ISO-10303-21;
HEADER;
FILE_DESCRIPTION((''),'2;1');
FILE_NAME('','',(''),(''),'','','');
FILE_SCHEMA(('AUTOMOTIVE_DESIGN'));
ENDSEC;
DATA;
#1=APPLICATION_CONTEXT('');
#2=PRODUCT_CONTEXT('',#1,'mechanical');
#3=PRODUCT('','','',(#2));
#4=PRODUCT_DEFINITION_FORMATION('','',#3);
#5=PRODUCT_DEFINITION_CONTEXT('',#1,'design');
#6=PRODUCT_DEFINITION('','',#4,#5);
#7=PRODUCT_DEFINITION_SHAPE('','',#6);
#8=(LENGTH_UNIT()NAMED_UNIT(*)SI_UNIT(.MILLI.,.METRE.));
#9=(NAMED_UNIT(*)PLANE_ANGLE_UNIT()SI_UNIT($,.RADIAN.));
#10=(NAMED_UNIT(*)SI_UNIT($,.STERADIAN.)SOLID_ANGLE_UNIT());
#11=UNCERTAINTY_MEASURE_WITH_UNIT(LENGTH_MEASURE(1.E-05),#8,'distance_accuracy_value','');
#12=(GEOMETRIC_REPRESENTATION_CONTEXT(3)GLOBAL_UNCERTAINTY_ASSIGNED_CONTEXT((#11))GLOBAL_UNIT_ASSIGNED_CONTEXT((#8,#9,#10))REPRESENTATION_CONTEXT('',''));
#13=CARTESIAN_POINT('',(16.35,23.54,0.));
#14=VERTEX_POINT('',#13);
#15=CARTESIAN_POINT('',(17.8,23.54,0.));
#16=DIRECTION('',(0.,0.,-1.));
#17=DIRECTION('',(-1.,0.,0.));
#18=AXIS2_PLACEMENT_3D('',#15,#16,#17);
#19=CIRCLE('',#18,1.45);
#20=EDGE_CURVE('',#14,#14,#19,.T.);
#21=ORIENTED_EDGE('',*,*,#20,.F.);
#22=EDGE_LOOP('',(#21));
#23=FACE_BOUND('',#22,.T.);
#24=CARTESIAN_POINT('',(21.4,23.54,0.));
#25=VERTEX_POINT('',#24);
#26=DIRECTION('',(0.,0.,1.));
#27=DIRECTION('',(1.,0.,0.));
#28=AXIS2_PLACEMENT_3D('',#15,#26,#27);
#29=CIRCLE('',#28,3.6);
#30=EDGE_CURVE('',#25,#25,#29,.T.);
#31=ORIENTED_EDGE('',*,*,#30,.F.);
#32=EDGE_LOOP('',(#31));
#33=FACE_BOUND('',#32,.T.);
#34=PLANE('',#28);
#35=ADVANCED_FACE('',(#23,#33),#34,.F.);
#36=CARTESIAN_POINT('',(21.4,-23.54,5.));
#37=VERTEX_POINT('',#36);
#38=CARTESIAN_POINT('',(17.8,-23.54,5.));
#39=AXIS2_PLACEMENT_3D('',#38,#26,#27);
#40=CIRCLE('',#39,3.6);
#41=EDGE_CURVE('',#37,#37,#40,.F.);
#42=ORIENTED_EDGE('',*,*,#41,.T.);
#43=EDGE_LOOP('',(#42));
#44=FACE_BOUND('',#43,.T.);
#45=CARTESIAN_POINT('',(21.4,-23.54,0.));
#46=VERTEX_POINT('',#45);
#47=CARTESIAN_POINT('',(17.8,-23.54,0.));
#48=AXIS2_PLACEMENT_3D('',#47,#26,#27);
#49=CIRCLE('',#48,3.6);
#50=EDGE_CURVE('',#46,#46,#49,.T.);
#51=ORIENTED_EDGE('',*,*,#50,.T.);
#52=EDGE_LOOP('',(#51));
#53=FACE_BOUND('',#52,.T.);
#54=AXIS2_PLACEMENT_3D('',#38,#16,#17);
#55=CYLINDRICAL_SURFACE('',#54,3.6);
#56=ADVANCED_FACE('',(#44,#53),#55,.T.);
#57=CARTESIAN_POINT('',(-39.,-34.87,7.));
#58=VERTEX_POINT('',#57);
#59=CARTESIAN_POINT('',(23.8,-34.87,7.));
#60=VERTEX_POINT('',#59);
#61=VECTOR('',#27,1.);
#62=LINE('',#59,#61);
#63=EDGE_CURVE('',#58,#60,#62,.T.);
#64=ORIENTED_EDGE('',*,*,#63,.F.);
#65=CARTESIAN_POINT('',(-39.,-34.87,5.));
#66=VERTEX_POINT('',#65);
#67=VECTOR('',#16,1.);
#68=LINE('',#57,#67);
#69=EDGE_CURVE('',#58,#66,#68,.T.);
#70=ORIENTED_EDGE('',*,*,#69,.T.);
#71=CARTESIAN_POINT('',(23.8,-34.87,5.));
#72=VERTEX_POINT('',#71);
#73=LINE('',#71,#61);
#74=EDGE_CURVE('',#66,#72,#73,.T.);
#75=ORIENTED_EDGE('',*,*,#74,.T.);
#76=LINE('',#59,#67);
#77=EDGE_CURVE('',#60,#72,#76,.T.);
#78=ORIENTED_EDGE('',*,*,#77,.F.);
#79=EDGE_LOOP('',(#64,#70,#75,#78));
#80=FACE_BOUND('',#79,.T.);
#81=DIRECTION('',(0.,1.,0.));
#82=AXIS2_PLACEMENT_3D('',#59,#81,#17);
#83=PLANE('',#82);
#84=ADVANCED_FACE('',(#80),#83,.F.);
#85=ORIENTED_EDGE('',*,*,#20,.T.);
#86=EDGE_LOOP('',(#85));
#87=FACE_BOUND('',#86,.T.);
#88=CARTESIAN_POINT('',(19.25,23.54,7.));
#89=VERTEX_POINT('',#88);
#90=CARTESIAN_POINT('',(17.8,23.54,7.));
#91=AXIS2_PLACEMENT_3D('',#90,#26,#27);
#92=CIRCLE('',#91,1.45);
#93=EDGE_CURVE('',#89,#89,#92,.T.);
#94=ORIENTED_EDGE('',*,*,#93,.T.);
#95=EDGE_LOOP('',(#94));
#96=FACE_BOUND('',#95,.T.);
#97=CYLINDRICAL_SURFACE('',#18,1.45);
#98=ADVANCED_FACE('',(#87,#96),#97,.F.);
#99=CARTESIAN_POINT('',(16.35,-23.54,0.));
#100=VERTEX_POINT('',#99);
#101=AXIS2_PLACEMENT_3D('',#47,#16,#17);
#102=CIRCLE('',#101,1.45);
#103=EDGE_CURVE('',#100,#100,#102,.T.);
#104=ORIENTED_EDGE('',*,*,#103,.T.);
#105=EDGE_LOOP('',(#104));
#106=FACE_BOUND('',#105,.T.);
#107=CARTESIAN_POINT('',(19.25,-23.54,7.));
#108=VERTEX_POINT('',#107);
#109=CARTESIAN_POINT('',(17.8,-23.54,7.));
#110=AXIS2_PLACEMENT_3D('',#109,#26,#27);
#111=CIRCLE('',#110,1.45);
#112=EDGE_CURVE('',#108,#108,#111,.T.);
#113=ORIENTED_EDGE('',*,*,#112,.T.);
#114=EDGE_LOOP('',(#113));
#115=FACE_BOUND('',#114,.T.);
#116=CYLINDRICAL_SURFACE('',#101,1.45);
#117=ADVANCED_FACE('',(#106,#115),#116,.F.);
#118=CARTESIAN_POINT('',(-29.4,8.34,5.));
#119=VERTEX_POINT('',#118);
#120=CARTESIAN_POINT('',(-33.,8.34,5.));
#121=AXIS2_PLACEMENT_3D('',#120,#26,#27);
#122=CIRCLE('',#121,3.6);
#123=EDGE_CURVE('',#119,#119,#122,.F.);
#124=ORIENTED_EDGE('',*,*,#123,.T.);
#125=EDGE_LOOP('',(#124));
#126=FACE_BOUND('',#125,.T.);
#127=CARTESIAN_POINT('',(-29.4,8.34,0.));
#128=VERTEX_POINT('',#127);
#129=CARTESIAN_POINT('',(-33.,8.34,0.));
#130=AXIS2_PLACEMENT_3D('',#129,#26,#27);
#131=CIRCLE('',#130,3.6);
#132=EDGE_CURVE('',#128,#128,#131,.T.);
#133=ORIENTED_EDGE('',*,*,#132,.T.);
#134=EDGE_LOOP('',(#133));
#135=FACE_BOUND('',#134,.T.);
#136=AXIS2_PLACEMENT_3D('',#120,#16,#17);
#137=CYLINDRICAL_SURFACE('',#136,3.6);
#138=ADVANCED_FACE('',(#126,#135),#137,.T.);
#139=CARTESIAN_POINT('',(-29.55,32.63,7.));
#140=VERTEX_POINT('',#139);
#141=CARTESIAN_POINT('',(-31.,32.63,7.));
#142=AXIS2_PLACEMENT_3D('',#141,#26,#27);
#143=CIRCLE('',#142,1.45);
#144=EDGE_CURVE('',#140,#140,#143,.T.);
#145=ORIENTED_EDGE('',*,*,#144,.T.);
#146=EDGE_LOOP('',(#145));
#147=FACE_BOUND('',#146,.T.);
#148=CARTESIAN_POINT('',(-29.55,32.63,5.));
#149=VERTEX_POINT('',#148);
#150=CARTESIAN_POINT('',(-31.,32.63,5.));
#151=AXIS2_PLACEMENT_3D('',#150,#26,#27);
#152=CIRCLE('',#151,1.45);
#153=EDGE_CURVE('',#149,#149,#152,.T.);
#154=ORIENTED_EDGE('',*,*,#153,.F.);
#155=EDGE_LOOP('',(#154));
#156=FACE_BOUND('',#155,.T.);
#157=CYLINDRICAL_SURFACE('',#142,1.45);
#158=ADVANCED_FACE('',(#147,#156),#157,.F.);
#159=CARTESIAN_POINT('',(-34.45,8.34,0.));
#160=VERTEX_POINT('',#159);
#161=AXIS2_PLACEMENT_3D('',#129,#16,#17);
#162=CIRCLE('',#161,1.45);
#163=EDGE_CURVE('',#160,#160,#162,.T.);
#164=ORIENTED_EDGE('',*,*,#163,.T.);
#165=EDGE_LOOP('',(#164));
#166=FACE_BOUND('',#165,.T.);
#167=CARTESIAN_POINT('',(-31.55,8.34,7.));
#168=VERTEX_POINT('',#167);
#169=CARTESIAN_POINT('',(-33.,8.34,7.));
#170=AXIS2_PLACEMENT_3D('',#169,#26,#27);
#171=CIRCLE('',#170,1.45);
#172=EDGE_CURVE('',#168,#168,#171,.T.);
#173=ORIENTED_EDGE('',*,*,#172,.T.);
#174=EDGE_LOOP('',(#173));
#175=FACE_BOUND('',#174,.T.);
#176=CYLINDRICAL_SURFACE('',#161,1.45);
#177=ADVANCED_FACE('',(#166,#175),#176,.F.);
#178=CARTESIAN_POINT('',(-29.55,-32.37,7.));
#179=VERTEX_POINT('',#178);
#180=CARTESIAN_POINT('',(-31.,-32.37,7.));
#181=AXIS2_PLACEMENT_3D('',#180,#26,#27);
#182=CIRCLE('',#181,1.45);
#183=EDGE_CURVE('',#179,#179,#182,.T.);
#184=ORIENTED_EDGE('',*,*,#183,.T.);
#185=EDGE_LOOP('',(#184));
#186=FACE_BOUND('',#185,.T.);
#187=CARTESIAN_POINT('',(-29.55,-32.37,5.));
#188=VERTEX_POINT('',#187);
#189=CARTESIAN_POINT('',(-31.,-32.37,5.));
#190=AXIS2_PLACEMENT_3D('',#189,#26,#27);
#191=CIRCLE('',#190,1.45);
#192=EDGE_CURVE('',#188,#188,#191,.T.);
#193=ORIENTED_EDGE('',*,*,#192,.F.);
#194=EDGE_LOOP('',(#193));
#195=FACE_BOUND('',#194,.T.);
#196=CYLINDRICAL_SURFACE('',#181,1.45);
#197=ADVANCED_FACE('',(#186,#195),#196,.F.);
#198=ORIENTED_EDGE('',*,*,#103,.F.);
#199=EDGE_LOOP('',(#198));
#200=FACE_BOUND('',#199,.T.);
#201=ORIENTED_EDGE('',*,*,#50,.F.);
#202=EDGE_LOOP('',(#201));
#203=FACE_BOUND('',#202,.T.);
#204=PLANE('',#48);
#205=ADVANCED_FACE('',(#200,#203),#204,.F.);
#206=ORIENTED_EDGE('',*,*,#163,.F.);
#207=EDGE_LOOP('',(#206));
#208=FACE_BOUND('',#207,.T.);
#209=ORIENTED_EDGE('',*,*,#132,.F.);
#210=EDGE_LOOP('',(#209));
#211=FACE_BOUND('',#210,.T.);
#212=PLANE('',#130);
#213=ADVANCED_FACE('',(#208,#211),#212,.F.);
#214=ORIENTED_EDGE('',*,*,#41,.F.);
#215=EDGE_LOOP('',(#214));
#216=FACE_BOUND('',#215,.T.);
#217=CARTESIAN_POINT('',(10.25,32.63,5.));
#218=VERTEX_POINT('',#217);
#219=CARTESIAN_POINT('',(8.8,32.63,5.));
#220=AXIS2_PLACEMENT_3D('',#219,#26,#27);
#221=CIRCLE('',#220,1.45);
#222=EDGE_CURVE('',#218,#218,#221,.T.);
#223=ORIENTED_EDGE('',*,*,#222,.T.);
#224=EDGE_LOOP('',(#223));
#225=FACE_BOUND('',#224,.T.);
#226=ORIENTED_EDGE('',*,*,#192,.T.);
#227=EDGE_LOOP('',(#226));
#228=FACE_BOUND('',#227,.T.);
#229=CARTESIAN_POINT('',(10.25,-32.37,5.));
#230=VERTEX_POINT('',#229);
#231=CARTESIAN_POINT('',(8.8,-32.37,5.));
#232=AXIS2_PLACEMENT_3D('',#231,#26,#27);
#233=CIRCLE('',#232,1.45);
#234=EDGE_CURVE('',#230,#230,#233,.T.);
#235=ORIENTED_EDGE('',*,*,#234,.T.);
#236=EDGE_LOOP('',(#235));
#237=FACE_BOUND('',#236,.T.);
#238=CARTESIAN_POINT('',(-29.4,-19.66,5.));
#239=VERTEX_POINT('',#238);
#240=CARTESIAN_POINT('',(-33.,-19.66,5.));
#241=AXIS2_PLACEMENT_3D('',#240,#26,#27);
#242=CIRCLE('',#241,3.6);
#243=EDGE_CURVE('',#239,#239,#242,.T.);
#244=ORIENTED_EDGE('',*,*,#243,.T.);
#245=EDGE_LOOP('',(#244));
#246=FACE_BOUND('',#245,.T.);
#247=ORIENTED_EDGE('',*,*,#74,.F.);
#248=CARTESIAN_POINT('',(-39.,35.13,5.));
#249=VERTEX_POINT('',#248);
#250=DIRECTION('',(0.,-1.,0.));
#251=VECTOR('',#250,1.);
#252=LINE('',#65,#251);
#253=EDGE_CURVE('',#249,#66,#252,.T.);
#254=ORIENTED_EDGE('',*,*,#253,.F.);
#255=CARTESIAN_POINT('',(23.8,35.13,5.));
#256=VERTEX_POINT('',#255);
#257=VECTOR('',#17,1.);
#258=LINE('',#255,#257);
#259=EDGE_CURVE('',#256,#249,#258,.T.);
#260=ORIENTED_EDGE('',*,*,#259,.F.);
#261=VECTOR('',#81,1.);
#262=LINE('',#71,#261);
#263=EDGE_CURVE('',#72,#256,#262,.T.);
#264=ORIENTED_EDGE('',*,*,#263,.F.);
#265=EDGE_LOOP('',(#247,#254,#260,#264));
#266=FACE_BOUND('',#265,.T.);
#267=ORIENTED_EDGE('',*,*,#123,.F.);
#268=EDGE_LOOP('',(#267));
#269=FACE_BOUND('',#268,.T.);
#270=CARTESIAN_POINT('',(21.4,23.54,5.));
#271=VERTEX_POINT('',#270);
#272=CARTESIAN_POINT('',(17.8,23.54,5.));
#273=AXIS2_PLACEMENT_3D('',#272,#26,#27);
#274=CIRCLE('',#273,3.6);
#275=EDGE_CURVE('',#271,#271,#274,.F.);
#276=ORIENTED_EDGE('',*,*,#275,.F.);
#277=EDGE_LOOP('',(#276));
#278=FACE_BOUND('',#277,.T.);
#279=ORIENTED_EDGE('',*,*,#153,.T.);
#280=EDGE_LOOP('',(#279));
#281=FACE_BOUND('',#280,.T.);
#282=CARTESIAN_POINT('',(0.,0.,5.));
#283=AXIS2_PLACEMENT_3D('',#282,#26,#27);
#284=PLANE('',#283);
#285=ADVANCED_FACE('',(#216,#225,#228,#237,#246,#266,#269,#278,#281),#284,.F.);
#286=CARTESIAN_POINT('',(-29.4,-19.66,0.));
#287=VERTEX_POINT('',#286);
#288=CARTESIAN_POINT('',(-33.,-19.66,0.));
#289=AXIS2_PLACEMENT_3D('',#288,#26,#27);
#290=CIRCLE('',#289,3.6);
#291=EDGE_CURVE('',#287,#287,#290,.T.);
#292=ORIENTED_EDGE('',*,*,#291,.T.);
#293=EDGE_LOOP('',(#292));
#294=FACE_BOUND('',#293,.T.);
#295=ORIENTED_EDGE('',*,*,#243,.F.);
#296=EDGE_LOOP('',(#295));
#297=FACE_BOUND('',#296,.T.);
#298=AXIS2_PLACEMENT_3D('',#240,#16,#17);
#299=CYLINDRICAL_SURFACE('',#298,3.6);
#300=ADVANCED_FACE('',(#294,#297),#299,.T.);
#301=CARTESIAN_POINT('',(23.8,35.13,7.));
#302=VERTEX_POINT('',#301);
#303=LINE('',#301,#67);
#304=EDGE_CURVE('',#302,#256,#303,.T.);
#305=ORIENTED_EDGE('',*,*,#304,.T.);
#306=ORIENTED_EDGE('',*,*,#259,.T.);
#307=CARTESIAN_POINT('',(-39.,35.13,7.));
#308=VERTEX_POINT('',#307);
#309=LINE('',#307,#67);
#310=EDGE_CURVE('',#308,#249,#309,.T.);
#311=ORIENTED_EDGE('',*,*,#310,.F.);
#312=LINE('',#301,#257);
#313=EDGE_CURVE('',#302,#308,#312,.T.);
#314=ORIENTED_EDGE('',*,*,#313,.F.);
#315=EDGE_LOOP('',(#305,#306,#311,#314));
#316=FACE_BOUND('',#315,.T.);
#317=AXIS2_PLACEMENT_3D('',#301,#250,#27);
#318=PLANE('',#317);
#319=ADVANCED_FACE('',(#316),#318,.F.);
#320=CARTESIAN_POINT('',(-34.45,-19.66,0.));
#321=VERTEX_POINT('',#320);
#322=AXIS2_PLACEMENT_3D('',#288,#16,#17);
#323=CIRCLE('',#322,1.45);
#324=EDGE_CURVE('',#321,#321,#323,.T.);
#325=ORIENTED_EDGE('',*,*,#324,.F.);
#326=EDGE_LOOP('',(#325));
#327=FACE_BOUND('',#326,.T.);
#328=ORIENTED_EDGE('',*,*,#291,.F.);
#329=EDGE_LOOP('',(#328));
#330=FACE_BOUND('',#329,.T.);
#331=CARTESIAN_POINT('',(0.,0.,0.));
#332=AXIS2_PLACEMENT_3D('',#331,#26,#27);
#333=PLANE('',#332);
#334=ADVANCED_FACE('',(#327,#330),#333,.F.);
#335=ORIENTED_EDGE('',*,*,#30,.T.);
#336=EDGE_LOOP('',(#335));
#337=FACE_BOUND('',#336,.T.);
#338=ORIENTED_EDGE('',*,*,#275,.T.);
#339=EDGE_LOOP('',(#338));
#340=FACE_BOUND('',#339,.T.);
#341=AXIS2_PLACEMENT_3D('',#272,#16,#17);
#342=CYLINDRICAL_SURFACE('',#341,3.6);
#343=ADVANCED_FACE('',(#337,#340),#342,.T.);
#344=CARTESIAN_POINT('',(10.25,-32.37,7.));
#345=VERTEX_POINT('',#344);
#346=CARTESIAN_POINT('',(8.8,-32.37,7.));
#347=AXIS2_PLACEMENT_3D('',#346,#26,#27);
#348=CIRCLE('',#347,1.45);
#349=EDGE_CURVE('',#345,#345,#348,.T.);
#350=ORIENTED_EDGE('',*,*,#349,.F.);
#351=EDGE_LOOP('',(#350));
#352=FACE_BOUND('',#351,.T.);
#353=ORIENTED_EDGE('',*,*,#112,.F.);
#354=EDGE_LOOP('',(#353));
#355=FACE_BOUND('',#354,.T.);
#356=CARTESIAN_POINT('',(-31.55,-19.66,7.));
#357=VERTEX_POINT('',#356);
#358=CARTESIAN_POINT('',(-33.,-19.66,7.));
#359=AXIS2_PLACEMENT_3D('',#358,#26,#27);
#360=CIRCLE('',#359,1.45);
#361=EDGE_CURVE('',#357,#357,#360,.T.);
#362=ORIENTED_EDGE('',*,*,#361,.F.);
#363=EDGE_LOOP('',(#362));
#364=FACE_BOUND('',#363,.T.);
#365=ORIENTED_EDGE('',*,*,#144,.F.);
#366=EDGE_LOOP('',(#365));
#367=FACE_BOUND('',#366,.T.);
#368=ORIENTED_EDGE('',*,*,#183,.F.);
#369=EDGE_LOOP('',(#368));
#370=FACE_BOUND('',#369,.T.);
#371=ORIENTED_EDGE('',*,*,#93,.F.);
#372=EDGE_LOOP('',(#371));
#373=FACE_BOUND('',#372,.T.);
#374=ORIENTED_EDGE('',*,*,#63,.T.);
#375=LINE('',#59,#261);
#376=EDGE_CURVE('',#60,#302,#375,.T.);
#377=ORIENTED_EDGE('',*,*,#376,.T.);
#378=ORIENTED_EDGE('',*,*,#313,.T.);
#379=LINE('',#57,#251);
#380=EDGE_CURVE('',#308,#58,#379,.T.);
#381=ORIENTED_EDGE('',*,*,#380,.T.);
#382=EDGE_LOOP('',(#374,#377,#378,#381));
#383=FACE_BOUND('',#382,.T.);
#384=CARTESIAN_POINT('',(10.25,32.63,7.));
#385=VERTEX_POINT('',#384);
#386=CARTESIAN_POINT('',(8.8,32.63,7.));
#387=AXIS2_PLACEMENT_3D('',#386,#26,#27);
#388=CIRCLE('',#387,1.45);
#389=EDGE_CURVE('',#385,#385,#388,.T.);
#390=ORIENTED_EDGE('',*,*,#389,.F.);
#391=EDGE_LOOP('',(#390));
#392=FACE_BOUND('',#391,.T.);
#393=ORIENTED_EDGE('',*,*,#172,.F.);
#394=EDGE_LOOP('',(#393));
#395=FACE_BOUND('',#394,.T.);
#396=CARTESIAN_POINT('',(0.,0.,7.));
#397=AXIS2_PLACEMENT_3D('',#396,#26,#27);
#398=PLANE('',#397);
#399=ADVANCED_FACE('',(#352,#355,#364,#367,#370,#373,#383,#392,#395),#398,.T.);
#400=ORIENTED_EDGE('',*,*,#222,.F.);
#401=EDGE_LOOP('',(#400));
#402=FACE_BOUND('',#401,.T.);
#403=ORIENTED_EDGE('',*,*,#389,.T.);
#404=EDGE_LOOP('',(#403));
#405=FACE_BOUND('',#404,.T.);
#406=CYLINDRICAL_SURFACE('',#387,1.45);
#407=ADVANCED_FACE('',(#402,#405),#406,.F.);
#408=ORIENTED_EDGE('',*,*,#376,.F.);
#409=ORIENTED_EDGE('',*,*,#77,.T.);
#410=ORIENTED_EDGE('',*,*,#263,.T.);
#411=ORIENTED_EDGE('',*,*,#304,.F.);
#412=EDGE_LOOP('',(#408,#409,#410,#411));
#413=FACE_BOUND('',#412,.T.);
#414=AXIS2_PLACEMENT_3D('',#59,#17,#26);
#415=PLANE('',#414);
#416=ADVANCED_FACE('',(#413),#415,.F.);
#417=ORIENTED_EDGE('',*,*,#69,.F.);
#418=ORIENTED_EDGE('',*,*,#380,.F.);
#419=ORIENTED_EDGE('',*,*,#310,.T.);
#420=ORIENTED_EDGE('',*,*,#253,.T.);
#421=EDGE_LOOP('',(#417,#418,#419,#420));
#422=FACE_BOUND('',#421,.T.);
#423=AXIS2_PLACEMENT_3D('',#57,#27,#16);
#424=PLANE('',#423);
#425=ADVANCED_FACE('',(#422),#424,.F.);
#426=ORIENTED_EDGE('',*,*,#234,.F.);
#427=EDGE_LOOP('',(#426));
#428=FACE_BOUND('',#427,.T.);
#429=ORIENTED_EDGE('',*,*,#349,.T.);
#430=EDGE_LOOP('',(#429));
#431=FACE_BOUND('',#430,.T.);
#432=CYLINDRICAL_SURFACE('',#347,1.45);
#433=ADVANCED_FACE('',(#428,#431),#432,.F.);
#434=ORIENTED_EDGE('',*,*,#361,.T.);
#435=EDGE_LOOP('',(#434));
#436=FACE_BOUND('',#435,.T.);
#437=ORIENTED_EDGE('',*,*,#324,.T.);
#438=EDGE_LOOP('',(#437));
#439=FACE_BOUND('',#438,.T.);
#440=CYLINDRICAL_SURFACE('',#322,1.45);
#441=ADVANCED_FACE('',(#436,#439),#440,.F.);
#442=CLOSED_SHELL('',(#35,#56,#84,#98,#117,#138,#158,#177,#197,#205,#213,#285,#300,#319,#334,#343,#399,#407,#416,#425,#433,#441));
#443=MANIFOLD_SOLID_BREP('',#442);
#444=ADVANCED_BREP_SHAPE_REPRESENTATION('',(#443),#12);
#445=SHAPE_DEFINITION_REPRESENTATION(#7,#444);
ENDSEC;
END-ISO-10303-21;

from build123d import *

# Parameters (mm, degrees)
SKETCH1_R                 = 3.6
SKETCH1_R_2               = 1.6
BOSS_EXTRUDE1_DEPTH       = 5
SKETCH2_W                 = 62.8
SKETCH2_H                 = 70
BOSS_EXTRUDE2_DEPTH       = 2
F_1_0MM_DOWEL_HOLE2_D     = 2.9
F_1_0MM_DOWEL_HOLE2_DEPTH = 9.128752102
F_1_0MM_DOWEL_HOLE2_TIP   = 0.871247898
F_1_0MM_DOWEL_HOLE3_D     = 2.9
F_1_0MM_DOWEL_HOLE3_DEPTH = 9.128752102
F_1_0MM_DOWEL_HOLE3_TIP   = 0.871247898


with BuildPart() as part:
    # Sketch1 → Boss-Extrude1 (new body)
    with BuildSketch(Plane.XY):
        with Locations((-33, -19.66)):
            Circle(SKETCH1_R)
        with Locations((-33, -19.66)):
            Circle(SKETCH1_R_2, mode=Mode.SUBTRACT)
        with Locations((-33, -19.66)):
            Circle(SKETCH1_R_2)
        with Locations((-33, 8.34)):
            Circle(SKETCH1_R)
        with Locations((17.8, -23.54)):
            Circle(SKETCH1_R)
        with Locations((17.8, 23.54)):
            Circle(SKETCH1_R)
    extrude(amount=BOSS_EXTRUDE1_DEPTH)

    # Sketch2 → Boss-Extrude2 (add)
    with BuildSketch(Plane.XY.offset(5)):
        with Locations((-7.6, 0.13)):
            Rectangle(SKETCH2_W, SKETCH2_H)
    extrude(amount=BOSS_EXTRUDE2_DEPTH)

    # Ø1.0mm Dowel Hole2
    with Locations(Plane(origin=(8.8, -32.37, 7), x_dir=(1, 0, 0), z_dir=(0, 0, 1))):
        with Locations((0, 0), (-39.8, 0), (-39.8, 65), (0, 65)):
            Hole(F_1_0MM_DOWEL_HOLE2_D / 2, depth=F_1_0MM_DOWEL_HOLE2_DEPTH)
            with Locations((0, 0, -(F_1_0MM_DOWEL_HOLE2_DEPTH + F_1_0MM_DOWEL_HOLE2_TIP / 2))):  # 118° drill point
                Cone(0, F_1_0MM_DOWEL_HOLE2_D / 2, F_1_0MM_DOWEL_HOLE2_TIP, mode=Mode.SUBTRACT)

    # Ø1.0mm Dowel Hole3
    with Locations(Plane(origin=(17.8, 23.54, 0), x_dir=(-1, 0, 0), z_dir=(0, 0, -1))):
        with Locations((0, 0), (50.8, -15.2), (50.8, -43.2), (0, -47.08)):
            Hole(F_1_0MM_DOWEL_HOLE3_D / 2, depth=F_1_0MM_DOWEL_HOLE3_DEPTH)
            with Locations((0, 0, -(F_1_0MM_DOWEL_HOLE3_DEPTH + F_1_0MM_DOWEL_HOLE3_TIP / 2))):  # 118° drill point
                Cone(0, F_1_0MM_DOWEL_HOLE3_D / 2, F_1_0MM_DOWEL_HOLE3_TIP, mode=Mode.SUBTRACT)


solid = part.part
